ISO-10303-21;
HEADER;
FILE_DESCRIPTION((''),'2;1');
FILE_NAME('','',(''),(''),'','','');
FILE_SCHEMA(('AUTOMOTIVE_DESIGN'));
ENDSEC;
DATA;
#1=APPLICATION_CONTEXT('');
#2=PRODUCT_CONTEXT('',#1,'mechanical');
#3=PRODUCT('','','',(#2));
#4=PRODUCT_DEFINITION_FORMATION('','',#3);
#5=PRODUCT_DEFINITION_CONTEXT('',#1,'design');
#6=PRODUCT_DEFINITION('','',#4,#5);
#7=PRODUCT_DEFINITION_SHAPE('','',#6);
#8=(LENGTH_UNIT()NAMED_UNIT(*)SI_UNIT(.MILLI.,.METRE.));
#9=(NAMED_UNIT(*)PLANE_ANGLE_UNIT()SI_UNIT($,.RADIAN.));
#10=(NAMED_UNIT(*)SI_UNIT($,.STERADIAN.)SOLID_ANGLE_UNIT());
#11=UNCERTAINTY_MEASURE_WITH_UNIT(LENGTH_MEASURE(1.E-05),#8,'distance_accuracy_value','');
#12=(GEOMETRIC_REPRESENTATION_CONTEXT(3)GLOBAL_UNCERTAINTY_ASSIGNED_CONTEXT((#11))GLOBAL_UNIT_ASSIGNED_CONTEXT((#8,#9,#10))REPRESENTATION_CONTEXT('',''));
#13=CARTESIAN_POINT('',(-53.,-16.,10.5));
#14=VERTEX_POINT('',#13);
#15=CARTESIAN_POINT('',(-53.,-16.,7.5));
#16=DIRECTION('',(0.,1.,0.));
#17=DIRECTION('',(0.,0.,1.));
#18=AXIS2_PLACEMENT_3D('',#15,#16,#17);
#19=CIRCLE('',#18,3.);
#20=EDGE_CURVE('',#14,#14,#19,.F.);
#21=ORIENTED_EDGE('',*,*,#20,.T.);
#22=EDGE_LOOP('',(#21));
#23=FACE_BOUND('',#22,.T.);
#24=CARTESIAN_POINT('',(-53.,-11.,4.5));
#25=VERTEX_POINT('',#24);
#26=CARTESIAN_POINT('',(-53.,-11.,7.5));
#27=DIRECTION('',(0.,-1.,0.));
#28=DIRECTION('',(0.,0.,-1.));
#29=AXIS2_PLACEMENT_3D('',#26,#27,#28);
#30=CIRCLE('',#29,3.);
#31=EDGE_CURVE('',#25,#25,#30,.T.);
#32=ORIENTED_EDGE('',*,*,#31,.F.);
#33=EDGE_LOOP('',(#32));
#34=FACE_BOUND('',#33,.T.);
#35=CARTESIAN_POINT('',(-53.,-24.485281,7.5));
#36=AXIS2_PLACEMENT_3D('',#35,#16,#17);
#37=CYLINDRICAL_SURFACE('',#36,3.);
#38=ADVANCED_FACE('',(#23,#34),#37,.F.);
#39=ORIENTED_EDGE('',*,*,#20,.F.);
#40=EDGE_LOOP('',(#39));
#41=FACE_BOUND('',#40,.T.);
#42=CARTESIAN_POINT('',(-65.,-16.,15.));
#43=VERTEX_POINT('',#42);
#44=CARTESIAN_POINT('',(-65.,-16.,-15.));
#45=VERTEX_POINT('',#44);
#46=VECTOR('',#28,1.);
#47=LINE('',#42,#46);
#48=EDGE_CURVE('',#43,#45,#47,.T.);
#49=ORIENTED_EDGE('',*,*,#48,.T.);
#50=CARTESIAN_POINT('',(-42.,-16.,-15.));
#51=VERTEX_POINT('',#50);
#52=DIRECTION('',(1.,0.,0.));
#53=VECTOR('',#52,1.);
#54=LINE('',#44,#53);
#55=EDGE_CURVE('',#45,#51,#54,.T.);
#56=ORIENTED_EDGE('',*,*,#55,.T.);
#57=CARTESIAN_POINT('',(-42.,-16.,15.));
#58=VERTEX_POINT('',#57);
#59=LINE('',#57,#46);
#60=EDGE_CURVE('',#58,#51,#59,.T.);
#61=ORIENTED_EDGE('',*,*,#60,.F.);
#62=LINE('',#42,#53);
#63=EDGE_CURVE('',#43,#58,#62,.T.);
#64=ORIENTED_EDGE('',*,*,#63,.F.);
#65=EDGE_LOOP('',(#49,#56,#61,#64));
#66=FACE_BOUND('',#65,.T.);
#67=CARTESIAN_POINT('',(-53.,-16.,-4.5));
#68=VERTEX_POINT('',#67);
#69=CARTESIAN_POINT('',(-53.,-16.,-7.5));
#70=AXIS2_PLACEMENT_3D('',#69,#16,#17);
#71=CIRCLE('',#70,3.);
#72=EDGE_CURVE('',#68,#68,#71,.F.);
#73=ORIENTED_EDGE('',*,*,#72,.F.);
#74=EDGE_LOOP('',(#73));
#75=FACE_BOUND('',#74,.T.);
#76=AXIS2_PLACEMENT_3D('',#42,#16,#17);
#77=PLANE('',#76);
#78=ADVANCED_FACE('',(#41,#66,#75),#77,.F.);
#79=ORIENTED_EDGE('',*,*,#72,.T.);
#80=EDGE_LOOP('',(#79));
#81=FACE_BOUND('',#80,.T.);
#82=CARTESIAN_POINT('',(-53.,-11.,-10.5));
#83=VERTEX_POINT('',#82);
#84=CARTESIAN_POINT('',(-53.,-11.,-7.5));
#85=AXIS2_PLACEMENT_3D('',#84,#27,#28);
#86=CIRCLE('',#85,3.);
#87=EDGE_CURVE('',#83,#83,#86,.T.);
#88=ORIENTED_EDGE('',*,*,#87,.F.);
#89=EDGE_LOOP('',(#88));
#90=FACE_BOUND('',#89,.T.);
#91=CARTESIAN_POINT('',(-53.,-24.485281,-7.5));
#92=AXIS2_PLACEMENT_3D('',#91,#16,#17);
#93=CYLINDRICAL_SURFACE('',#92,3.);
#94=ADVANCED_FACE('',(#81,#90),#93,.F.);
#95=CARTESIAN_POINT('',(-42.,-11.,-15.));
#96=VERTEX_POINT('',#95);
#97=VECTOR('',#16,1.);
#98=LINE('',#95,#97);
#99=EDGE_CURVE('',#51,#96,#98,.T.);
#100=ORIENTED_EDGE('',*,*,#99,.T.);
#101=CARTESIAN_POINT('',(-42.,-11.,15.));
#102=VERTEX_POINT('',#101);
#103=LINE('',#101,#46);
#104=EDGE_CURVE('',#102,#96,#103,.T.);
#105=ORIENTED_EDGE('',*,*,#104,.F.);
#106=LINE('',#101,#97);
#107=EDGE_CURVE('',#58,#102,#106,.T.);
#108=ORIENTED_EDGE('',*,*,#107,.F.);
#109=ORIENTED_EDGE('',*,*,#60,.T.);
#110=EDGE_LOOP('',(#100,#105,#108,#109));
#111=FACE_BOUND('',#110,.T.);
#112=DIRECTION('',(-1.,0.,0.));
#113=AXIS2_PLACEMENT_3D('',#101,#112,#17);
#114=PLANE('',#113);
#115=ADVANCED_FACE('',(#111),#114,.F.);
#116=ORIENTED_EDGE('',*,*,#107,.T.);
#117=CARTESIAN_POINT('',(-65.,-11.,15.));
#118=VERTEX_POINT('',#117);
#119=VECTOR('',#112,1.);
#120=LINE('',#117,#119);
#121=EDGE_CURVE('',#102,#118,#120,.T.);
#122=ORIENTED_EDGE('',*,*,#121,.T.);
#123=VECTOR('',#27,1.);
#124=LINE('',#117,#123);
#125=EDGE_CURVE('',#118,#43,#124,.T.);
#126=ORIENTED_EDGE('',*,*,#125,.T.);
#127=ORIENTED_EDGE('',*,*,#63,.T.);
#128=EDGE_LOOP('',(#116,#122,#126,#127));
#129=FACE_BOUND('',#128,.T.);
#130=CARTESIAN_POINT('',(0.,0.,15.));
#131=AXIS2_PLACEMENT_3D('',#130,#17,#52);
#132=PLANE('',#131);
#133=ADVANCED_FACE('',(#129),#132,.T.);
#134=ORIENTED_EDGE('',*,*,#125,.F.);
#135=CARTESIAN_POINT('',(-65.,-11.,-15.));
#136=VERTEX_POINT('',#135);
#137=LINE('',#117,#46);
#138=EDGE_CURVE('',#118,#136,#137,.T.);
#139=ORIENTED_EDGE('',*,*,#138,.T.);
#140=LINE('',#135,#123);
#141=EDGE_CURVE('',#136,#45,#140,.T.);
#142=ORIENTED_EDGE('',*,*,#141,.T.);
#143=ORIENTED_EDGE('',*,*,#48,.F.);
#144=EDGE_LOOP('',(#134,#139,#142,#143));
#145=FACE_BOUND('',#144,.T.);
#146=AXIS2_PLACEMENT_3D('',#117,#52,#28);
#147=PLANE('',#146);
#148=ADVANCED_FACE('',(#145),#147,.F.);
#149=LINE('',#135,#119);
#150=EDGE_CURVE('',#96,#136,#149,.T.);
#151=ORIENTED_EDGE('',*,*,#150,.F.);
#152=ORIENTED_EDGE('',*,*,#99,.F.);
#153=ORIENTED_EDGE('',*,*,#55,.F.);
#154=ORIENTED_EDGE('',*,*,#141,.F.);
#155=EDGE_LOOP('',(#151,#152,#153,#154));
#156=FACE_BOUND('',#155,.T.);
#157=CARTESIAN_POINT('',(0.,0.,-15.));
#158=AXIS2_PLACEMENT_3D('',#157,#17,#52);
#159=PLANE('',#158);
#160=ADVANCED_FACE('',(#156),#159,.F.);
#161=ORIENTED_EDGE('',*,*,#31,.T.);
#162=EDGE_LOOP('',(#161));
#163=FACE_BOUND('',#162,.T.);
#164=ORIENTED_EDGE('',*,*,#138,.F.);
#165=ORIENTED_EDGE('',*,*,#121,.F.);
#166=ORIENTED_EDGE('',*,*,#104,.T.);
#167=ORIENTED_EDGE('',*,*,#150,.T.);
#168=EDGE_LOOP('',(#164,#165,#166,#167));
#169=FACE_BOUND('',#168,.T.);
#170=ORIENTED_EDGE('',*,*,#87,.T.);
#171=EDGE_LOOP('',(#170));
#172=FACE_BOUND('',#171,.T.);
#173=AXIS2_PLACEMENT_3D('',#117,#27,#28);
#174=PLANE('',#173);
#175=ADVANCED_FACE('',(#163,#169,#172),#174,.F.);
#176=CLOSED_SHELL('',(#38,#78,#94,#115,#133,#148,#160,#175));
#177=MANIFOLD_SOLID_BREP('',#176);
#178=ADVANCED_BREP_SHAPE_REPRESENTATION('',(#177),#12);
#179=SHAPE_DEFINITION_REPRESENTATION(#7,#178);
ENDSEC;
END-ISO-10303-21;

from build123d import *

# Parameters (mm, degrees)
SKIZZE3_W                            = 23
SKIZZE3_H                            = 5
AUFSATZ_LINEAR_AUSTRAGEN1_DEPTH      = 15
AUFSATZ_LINEAR_AUSTRAGEN1_DEPTH_BACK = 15
SKIZZE5_R                            = 3
SCHNITT_LINEAR_AUSTRAGEN1_DEPTH      = 16


with BuildPart() as part:
    # Skizze3 → Aufsatz-Linear austragen1 (new body, two sides)
    with BuildSketch(Plane.XY) as aufsatz_linear_austragen1_sk:
        with Locations((-53.5, -13.5)):
            Rectangle(SKIZZE3_W, SKIZZE3_H)
    extrude(amount=AUFSATZ_LINEAR_AUSTRAGEN1_DEPTH)
    extrude(aufsatz_linear_austragen1_sk.sketch, amount=-AUFSATZ_LINEAR_AUSTRAGEN1_DEPTH_BACK)

    # Skizze5 → Schnitt-Linear austragen1 (cut)
    with BuildSketch(Plane(origin=(0, 0, 0), x_dir=(1, 0, 0), z_dir=(0, 1, 0))):
        with Locations((-53, 7.5)):
            Circle(SKIZZE5_R)
        with Locations((-53, -7.5)):
            Circle(SKIZZE5_R)
    extrude(amount=-SCHNITT_LINEAR_AUSTRAGEN1_DEPTH, mode=Mode.SUBTRACT)


solid = part.part
